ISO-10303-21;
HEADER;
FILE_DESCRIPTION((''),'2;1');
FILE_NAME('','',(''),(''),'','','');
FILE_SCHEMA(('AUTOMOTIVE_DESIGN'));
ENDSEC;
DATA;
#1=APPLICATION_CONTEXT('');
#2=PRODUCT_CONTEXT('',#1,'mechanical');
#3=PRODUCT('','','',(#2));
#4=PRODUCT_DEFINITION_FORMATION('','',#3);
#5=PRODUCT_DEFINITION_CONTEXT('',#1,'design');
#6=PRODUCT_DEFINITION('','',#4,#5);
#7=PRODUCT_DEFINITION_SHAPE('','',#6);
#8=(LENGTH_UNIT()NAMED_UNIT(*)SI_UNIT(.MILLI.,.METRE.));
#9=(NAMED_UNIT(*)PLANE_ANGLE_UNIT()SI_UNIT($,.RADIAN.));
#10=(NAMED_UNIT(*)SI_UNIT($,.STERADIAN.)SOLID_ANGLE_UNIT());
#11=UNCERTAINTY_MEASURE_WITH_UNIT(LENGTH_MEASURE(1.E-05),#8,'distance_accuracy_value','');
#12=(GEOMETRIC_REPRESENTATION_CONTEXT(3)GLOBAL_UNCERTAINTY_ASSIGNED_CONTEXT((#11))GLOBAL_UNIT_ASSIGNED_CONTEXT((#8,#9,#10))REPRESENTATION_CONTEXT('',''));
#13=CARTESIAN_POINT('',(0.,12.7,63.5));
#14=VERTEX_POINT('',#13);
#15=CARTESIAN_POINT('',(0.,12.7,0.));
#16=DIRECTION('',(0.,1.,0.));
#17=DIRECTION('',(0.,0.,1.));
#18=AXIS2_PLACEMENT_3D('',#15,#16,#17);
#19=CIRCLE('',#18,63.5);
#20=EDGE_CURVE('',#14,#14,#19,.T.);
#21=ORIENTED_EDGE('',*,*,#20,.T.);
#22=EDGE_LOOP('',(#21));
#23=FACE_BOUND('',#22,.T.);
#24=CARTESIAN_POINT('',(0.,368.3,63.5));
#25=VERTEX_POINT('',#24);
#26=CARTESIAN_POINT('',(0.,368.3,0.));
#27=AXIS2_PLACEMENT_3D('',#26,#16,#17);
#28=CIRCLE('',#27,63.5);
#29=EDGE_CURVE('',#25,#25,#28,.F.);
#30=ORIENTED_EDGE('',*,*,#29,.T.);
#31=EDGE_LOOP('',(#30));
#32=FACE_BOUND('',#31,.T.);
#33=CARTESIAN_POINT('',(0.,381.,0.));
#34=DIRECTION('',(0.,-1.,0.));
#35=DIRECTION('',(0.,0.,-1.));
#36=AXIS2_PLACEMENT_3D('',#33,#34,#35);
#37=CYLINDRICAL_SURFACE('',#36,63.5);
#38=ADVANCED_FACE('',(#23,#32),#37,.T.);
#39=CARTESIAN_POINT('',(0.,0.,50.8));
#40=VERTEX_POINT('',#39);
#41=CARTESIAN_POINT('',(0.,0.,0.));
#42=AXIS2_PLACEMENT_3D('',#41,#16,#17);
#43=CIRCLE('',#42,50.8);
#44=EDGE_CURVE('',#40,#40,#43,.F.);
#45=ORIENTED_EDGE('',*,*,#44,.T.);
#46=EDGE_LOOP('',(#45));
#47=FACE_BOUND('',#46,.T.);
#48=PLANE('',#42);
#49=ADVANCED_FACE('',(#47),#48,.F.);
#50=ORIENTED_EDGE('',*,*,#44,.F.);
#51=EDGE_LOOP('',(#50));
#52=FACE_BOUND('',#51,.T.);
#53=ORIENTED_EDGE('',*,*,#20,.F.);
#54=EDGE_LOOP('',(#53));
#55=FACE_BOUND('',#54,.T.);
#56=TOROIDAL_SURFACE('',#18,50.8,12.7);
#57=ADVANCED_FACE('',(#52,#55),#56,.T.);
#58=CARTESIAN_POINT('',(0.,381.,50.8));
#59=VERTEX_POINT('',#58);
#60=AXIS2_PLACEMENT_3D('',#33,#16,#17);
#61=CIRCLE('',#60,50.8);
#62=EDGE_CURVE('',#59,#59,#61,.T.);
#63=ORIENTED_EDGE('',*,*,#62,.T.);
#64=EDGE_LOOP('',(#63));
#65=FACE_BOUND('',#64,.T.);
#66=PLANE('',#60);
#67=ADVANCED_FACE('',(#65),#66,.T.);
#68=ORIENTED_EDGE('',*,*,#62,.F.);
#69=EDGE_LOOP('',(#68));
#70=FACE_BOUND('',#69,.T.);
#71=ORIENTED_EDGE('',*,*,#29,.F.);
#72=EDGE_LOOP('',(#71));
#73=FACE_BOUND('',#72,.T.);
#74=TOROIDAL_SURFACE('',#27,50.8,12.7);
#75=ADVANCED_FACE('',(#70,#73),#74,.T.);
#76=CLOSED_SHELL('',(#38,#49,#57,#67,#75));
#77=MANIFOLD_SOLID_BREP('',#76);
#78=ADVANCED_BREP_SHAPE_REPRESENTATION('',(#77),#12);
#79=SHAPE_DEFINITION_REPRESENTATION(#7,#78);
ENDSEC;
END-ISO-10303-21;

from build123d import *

# Parameters (mm, degrees)
MAIN_PARACHUTE_BAG_PROFILE_R  = 63.5
MAIN_PARACHUTE_BAG_BODY_DEPTH = 381
FILLET1_R                     = 12.7


with BuildPart() as part:
    # Main Parachute Bag Profile → Main Parachute Bag Body (new body)
    with BuildSketch(Plane(origin=(0, 0, 0), x_dir=(1, 0, 0), z_dir=(0, 1, 0))):
        Circle(MAIN_PARACHUTE_BAG_PROFILE_R)
    extrude(amount=MAIN_PARACHUTE_BAG_BODY_DEPTH)

    # Fillet1
    fillet1_edges = [part.edges().sort_by_distance(p)[0] for p in [
        (-63.5, 0, 0),
        (-63.5, 381, 0),
    ]]
    fillet(fillet1_edges, radius=FILLET1_R)


solid = part.part
